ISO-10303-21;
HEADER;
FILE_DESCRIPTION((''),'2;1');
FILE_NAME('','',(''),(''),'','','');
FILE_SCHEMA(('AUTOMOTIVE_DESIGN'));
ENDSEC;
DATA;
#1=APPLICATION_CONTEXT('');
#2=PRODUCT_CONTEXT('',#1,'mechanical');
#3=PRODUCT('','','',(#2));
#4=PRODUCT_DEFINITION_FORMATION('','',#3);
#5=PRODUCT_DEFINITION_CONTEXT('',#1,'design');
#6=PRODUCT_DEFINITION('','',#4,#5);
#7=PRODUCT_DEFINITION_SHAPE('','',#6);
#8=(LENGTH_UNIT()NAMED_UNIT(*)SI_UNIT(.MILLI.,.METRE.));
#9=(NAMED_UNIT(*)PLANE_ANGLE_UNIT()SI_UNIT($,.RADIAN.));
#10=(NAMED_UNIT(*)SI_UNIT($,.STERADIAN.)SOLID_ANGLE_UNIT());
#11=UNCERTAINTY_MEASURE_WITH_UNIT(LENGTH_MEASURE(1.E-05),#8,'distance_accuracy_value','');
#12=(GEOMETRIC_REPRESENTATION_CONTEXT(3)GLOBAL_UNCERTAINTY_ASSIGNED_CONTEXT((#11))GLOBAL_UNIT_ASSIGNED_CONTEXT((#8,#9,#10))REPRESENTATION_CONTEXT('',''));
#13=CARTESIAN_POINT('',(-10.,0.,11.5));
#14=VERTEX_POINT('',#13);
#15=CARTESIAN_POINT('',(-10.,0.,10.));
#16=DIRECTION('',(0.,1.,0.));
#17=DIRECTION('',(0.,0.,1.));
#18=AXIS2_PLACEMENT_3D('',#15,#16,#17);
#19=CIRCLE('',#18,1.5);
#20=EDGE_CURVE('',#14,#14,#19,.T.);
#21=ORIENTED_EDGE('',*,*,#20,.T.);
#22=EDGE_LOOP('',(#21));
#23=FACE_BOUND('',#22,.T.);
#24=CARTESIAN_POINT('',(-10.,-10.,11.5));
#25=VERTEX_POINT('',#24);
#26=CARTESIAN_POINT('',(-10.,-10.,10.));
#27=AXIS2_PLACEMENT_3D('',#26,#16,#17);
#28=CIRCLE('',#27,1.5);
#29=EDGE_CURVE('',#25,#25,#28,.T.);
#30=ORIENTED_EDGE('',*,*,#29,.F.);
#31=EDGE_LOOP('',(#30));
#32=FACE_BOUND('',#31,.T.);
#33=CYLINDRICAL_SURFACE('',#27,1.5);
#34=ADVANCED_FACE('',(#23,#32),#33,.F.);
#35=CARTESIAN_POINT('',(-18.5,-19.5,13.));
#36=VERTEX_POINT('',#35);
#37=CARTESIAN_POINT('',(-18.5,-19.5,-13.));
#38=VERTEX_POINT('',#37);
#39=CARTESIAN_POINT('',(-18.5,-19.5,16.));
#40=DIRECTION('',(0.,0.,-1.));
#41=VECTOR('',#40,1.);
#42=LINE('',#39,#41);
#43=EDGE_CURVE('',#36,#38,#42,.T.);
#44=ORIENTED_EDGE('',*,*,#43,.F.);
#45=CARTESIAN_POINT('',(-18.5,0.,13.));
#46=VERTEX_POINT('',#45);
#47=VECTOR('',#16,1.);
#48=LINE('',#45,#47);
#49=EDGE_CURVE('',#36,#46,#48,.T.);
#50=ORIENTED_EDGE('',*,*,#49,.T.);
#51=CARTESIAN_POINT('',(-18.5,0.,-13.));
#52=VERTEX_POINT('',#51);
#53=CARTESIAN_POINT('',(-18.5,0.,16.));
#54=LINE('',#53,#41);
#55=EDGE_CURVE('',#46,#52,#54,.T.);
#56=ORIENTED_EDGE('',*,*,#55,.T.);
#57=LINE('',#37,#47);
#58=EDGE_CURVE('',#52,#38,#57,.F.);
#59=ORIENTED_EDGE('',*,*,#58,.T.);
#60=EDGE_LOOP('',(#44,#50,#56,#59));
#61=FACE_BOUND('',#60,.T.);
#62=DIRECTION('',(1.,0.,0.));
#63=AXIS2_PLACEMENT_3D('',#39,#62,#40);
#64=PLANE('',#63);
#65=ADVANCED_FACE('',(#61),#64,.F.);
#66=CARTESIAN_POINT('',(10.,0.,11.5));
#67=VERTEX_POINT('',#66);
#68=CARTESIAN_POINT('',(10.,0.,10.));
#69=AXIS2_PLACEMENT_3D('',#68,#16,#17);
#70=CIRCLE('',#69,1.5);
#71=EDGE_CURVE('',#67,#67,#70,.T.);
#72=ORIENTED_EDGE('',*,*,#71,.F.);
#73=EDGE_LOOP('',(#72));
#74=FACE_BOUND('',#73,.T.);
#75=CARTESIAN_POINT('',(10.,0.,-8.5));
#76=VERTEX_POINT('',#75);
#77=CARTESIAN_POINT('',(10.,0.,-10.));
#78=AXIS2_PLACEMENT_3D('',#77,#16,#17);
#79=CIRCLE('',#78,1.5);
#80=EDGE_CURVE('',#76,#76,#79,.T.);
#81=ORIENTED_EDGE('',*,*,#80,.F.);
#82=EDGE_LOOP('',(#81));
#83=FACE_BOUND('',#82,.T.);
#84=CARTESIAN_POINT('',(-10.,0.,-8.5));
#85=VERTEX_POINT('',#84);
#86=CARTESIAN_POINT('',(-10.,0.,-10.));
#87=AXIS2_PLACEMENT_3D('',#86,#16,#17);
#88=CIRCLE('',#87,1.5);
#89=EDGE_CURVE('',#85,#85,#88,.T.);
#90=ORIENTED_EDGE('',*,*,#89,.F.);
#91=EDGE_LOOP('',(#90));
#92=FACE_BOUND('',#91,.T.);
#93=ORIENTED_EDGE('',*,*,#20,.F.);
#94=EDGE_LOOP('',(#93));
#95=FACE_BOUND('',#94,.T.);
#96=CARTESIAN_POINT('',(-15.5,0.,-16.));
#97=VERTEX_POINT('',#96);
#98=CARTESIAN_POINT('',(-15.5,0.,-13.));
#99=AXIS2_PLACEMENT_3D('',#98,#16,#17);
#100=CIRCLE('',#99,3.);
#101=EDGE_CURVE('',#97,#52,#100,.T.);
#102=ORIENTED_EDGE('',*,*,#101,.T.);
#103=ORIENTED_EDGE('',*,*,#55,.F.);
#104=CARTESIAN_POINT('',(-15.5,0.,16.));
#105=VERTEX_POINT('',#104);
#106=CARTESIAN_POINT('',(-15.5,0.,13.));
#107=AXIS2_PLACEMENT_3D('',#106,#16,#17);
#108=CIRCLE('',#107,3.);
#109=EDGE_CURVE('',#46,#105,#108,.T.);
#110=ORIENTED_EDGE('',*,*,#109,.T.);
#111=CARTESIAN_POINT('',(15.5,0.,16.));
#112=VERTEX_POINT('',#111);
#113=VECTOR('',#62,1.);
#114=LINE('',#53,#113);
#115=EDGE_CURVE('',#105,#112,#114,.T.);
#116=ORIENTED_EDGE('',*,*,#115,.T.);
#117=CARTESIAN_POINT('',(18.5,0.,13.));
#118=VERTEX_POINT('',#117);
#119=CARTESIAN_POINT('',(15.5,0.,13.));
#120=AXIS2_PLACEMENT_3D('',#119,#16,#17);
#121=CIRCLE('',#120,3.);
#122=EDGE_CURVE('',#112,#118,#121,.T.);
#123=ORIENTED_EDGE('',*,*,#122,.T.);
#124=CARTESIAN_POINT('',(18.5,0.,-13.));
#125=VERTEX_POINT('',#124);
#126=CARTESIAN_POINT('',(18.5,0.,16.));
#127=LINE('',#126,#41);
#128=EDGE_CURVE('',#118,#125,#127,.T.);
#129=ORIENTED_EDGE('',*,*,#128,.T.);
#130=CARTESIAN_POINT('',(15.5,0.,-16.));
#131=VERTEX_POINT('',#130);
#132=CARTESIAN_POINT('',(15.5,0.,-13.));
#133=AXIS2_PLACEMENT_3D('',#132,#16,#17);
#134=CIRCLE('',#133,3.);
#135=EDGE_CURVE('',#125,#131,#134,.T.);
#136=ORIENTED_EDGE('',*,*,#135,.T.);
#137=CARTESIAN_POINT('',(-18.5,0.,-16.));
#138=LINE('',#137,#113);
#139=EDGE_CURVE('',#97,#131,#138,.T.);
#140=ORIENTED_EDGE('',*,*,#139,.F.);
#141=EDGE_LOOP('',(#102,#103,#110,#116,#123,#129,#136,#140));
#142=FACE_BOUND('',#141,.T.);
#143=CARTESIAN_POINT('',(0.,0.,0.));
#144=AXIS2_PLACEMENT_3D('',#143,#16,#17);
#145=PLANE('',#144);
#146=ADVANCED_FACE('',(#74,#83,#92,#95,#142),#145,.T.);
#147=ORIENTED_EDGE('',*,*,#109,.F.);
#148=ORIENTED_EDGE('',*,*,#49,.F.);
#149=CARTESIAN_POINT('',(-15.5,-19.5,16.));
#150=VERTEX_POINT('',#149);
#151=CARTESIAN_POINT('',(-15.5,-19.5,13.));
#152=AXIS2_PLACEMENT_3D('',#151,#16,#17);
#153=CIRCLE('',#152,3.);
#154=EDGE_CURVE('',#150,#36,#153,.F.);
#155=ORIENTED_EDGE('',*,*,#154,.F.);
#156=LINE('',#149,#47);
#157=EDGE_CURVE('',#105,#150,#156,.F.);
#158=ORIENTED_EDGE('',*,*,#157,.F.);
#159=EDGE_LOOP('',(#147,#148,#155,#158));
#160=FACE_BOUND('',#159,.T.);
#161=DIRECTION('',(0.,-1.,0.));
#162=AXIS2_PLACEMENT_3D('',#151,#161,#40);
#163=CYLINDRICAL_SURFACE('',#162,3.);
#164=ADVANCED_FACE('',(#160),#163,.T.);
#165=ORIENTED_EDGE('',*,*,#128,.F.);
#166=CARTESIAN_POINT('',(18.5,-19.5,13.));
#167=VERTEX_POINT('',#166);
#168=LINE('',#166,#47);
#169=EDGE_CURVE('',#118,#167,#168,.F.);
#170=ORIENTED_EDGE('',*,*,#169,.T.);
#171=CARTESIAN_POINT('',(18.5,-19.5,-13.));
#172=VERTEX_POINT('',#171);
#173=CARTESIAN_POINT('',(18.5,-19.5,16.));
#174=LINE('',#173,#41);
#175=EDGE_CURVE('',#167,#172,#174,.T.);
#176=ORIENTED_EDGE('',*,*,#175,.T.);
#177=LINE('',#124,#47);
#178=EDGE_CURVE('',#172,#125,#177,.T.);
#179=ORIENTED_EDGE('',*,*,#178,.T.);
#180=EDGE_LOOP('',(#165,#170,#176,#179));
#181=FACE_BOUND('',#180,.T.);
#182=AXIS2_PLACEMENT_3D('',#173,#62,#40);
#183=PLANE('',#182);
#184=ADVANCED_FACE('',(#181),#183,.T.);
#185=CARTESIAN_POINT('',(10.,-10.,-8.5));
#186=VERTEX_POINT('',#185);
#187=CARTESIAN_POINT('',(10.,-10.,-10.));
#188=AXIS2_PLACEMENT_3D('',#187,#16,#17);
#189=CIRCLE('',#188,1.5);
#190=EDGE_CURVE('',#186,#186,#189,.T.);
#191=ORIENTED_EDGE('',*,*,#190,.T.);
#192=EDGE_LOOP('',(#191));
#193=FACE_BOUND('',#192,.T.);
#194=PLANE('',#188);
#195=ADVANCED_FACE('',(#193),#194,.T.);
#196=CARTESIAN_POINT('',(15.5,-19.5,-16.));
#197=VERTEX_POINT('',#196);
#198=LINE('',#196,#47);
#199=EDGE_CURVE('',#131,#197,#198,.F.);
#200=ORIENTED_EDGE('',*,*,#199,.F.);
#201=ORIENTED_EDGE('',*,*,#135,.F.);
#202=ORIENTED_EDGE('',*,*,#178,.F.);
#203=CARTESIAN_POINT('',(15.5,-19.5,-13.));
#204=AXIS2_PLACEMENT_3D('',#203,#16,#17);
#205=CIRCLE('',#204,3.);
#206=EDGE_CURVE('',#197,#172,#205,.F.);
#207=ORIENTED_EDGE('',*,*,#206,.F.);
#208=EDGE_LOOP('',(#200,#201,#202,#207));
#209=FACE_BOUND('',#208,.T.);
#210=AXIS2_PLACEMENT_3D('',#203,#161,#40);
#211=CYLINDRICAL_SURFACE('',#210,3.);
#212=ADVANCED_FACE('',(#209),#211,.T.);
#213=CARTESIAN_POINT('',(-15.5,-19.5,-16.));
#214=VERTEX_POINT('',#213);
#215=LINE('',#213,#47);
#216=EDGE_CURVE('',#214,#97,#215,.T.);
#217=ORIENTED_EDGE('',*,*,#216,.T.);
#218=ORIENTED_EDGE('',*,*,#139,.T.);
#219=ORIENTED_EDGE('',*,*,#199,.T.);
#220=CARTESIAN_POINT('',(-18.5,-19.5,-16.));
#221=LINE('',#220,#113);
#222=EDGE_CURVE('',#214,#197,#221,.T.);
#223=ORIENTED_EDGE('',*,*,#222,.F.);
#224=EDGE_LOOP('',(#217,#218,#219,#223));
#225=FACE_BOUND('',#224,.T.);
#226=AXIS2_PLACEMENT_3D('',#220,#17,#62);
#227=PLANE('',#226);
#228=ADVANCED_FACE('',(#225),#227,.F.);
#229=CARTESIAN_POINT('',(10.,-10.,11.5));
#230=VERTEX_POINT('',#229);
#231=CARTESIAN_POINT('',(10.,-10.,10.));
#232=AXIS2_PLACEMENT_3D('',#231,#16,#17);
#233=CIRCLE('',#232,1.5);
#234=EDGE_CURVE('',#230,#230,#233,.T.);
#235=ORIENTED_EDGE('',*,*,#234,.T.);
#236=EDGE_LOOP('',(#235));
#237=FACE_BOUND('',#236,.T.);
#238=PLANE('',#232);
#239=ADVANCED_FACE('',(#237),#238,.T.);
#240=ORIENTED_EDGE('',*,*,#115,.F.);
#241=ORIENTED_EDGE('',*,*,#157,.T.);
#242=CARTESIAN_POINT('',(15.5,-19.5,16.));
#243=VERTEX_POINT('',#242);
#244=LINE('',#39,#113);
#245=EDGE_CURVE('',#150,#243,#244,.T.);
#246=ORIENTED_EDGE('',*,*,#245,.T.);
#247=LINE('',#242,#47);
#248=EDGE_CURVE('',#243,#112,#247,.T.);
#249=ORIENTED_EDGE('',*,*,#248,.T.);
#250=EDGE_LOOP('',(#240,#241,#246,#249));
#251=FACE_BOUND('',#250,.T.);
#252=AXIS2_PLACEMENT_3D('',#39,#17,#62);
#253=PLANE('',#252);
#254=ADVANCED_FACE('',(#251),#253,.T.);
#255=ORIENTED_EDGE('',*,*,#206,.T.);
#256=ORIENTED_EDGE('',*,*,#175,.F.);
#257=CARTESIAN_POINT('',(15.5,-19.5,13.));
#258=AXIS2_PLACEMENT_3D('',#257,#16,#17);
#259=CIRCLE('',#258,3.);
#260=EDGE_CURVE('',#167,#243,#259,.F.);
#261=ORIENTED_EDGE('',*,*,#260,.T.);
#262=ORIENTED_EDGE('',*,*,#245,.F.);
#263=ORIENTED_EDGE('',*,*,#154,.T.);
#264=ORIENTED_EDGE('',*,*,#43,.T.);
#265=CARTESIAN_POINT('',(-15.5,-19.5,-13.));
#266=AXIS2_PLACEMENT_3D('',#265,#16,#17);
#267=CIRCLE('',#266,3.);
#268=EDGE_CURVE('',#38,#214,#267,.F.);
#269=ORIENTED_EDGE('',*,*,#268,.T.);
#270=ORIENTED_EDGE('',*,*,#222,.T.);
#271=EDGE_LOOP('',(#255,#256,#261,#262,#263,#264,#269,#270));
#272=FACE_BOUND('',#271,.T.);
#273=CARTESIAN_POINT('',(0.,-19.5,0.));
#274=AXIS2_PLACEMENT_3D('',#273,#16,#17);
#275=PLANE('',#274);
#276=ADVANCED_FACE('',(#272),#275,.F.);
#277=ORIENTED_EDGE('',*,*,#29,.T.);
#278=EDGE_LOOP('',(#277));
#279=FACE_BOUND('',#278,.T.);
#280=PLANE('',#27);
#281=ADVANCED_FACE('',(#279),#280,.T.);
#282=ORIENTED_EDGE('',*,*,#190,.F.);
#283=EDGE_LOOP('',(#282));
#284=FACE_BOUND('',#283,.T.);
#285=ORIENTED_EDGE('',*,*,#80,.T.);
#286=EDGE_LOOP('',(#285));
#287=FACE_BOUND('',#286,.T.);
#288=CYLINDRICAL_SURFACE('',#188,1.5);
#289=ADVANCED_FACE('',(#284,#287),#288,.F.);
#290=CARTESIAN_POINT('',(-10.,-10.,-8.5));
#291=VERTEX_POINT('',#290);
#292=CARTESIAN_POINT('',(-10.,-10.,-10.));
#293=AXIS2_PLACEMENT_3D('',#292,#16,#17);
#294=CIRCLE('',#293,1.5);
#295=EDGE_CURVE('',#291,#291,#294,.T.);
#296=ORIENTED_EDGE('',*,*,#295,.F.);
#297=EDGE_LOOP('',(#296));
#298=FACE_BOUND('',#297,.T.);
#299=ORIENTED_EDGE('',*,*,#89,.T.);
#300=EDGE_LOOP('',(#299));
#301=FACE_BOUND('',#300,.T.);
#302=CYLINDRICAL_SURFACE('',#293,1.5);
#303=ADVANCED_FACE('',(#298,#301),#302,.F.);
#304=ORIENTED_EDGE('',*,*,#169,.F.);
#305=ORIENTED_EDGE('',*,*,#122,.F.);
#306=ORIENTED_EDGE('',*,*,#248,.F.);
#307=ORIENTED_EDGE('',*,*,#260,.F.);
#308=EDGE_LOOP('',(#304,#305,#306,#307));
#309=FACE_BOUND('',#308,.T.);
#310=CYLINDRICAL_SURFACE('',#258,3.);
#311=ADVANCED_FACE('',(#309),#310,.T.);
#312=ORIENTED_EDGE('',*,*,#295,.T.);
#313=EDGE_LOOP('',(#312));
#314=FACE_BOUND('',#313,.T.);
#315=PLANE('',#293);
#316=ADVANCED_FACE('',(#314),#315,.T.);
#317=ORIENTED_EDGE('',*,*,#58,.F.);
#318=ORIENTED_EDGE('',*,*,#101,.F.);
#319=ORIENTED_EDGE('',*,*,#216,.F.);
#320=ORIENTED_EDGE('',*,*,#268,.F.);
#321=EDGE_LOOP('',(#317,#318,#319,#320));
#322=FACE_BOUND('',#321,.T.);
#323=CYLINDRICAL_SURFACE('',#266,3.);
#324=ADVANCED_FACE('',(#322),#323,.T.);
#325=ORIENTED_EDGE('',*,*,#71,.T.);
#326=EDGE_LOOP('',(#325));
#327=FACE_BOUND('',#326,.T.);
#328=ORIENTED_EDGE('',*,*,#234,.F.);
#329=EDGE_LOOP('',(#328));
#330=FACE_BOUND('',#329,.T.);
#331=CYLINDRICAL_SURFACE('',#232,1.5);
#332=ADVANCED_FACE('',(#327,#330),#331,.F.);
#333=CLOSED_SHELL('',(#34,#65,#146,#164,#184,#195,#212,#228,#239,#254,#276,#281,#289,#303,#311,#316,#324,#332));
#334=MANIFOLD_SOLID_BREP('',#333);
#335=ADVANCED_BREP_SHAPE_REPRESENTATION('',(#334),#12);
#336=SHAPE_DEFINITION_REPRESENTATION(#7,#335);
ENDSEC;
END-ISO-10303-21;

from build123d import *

# Parameters (mm, degrees)
SKETCH1_W           = 37
SKETCH1_H           = 32
BOSS_EXTRUDE1_DEPTH = 19.5
SKETCH1_3_R         = 1.5
CUT_EXTRUDE1_DEPTH  = 10
FILLET1_R           = 3


with BuildPart() as part:
    # Sketch1 → Boss-Extrude1 (new body)
    with BuildSketch(Plane(origin=(0, 0, 0), x_dir=(1, 0, 0), z_dir=(0, 1, 0))):
        Rectangle(SKETCH1_W, SKETCH1_H)
    extrude(amount=-BOSS_EXTRUDE1_DEPTH)

    # Sketch1<3> → Cut-Extrude1 (cut)
    with BuildSketch(Plane(origin=(0, 0, 0), x_dir=(1, 0, 0), z_dir=(0, 1, 0))):
        with Locations((-10, 10)):
            Circle(SKETCH1_3_R)
        with Locations((10, 10)):
            Circle(SKETCH1_3_R)
        with Locations((10, -10)):
            Circle(SKETCH1_3_R)
        with Locations((-10, -10)):
            Circle(SKETCH1_3_R)
    extrude(amount=-CUT_EXTRUDE1_DEPTH, mode=Mode.SUBTRACT)

    # Fillet1
    fillet1_edges = [part.edges().sort_by_distance(p)[0] for p in [
        (-18.5, -9.75, -16),
        (18.5, -9.75, -16),
        (18.5, -9.75, 16),
        (-18.5, -9.75, 16),
    ]]
    fillet(fillet1_edges, radius=FILLET1_R)


solid = part.part
